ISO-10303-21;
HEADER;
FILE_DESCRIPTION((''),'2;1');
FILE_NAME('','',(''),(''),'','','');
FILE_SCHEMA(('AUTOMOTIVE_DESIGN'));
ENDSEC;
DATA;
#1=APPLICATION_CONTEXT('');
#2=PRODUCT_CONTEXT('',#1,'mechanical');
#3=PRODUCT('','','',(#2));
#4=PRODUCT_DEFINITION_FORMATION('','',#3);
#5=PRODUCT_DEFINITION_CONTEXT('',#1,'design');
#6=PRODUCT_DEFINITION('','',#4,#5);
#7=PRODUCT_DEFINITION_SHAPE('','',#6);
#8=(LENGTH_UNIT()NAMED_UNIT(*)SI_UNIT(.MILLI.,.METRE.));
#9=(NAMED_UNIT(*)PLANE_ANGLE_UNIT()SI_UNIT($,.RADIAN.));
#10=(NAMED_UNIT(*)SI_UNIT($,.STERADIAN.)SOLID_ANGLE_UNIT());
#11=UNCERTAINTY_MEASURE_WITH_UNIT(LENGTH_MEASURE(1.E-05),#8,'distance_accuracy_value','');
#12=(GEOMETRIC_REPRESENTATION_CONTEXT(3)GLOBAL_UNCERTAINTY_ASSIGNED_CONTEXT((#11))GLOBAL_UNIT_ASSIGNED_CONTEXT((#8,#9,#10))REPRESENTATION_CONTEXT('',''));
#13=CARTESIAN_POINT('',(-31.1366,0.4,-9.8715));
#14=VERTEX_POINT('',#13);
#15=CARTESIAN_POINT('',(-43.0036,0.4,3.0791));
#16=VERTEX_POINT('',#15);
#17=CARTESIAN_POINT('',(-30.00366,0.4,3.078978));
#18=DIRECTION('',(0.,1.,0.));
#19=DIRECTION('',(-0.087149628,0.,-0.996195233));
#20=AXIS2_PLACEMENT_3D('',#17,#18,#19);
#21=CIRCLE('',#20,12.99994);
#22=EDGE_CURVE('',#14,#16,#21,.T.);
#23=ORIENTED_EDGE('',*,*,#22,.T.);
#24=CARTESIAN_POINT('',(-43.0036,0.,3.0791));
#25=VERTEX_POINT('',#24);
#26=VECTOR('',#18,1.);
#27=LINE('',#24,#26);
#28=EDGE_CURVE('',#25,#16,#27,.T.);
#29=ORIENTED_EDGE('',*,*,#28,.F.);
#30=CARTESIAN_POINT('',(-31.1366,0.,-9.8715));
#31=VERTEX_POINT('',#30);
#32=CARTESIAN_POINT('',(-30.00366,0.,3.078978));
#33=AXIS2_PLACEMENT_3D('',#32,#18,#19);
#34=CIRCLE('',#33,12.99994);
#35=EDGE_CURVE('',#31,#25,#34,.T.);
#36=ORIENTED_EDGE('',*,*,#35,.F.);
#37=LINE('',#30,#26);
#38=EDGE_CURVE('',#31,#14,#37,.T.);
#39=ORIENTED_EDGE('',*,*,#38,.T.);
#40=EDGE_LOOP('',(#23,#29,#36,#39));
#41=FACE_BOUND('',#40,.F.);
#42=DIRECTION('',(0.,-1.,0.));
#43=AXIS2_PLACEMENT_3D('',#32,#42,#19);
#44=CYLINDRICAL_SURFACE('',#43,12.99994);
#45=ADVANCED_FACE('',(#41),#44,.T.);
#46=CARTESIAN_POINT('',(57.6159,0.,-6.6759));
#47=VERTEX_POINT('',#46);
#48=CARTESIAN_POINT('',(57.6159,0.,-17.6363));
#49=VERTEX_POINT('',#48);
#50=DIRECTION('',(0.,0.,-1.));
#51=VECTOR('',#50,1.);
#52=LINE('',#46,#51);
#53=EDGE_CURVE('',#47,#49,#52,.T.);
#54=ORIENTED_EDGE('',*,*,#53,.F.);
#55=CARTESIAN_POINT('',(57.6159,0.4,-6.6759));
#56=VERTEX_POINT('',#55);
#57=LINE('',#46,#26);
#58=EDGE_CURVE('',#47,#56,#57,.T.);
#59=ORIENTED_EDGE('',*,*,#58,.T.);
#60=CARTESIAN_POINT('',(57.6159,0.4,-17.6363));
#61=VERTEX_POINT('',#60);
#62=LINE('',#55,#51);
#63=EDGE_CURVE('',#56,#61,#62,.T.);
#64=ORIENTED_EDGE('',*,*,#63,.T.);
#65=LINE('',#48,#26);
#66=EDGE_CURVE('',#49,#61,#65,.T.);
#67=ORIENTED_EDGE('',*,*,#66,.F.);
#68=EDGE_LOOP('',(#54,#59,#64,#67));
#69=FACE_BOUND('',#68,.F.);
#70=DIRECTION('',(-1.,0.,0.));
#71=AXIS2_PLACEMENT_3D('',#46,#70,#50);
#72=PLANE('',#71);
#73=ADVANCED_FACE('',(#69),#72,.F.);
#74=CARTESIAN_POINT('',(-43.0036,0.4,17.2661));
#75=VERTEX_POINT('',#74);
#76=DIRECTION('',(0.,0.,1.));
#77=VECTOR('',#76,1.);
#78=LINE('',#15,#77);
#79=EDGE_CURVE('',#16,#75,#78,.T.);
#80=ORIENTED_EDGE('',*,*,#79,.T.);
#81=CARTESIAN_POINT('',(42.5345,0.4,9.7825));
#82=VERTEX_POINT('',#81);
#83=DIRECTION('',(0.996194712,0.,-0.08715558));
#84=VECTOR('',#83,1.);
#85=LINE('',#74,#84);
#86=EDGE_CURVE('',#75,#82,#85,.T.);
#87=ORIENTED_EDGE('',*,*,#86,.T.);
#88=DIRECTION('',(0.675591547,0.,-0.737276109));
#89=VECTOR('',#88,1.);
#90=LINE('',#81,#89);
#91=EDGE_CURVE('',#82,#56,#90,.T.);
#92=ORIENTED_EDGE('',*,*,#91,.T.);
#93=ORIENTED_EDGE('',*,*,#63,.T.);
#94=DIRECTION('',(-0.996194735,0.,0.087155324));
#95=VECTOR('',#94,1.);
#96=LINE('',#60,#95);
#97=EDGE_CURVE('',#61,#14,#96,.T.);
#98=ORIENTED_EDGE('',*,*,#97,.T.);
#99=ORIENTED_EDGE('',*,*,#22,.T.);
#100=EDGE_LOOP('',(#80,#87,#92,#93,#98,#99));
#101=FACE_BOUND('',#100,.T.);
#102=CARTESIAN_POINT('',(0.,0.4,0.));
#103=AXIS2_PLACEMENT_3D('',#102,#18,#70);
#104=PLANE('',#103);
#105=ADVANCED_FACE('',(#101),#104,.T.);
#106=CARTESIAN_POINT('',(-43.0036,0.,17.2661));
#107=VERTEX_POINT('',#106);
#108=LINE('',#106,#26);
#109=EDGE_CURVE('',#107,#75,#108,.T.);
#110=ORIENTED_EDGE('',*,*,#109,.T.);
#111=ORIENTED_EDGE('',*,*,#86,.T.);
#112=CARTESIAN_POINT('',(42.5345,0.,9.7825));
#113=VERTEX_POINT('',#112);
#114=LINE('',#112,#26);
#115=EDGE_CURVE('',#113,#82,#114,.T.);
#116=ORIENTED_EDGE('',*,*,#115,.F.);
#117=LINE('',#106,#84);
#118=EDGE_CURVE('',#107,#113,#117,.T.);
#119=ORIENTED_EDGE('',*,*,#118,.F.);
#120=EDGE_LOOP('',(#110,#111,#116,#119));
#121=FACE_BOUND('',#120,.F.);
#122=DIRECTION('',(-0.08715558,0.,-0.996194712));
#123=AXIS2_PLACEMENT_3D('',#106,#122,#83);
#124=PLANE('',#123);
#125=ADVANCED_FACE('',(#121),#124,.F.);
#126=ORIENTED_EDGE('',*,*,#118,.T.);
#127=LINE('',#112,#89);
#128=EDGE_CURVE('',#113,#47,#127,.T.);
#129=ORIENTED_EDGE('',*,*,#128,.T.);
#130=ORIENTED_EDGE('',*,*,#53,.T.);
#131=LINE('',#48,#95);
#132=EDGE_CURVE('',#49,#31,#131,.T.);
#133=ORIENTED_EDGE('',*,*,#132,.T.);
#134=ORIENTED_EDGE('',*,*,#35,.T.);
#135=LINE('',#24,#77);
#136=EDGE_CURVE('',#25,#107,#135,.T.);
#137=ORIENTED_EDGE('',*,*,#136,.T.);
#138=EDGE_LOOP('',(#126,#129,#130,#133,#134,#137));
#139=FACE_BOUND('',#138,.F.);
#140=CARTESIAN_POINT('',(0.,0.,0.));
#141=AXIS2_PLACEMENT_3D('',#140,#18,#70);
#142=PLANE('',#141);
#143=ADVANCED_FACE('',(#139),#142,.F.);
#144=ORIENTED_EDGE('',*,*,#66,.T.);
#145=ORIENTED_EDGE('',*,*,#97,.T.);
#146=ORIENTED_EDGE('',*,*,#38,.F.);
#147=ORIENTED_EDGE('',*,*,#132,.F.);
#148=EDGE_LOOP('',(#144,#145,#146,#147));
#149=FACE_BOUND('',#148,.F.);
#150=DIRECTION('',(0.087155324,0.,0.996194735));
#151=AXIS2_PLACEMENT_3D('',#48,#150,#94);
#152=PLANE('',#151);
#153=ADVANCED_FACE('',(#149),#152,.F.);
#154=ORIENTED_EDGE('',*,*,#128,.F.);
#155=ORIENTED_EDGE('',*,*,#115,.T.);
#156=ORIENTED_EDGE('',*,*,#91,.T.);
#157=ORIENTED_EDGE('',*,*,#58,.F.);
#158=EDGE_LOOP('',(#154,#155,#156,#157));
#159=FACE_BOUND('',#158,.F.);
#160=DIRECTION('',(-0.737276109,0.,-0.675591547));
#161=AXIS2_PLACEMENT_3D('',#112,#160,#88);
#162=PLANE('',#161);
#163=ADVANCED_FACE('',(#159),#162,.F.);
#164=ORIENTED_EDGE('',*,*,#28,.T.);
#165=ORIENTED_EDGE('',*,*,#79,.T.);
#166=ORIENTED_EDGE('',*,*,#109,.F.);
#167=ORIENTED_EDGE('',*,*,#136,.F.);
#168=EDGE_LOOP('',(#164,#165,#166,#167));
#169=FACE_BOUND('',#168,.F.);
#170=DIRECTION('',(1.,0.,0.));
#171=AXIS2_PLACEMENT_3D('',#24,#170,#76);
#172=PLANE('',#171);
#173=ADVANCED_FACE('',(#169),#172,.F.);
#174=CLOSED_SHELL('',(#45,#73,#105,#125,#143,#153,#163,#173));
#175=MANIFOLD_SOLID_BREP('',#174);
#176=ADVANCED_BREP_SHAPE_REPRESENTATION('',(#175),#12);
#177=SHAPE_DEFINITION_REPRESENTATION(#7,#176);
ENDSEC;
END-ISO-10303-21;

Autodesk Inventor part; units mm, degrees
ref_plane "YZ Plane" through (0, 0, 0) normal (1, 0, 0) x (0, 1, 0)
ref_plane "XZ Plane" through (0, 0, 0) normal (0, 1, 0) x (-1, 0, 0)
ref_plane "XY Plane" through (0, 0, 0) normal (0, 0, 1) x (1, 0, 0)
sketch "Sketch1" plane through (0, 0, 0) normal (0, 1, 0) x (-1, 0, 0)
  line L0 (-55.6159, -9.9971) -> (-55.6159, -9.3981)
  arc A0 (-54.3022, -6.0201) -> (-55.6159, -9.3981) centre (-50.6159, -9.3981) ccw
  line L1 (-54.3022, -6.0201) -> (-42.899, 6.4243)
  arc A1 (-39.6484, 8.0273) -> (-42.899, 6.4243) centre (-39.2126, 3.0463) ccw
  line L2 (-39.6484, 8.0273) -> (35.5678, 14.6079)
  arc A2 (41.0036, 9.6269) -> (35.5678, 14.6079) centre (36.0036, 9.6269) ccw
  line L3 (41.0036, 9.6269) -> (41.0036, 3.0791)
  arc A3 (30.9623, -7.8791) -> (41.0036, 3.0791) centre (30.0036, 3.0791) ccw
  line L4 (30.9623, -7.8791) -> (-50.1801, -14.9781)
  arc A4 (-55.6159, -9.9971) -> (-50.1801, -14.9781) centre (-50.6159, -9.9971) ccw
  line L5 (-42.5345, 9.7825) -> (-57.6159, -6.6759)
  line L6 (-57.6159, -6.6759) -> (-57.6159, -17.6363)
  line L7 (-57.6159, -17.6363) -> (31.1366, -9.8715)
  arc A5 (31.1366, -9.8715) -> (43.0036, 3.0791) centre (30.0036, 3.0791) ccw
  line L8 (43.0036, 3.0791) -> (43.0036, 17.2661)
  line L9 (43.0036, 17.2661) -> (-42.5345, 9.7825)
  line L10 (-42.4396, 9.59) -> (-57.4159, -6.7537)
  line L11 (-57.4159, -6.7537) -> (-57.4159, -17.418)
  line L12 (-57.4159, -17.418) -> (31.1192, -9.6722)
  arc A6 (31.1192, -9.6722) -> (42.8036, 3.0791) centre (30.0036, 3.0791) ccw
  line L13 (42.8036, 3.0791) -> (42.8036, 17.0478)
  line L14 (42.8036, 17.0478) -> (-42.4396, 9.59)
  point P0 (0, 0)
  dimension "d0" = 0.2
extrude "Extrusion1" add sketch "Sketch1" along normal blind 0.4 contours L0 A0 L1 A1 L2 A2 L3 A3 L4 A4 | L9 L8 A5 L7 L6 L5 | L14 L13 A6 L12 L11 L10
properties part number "c"
